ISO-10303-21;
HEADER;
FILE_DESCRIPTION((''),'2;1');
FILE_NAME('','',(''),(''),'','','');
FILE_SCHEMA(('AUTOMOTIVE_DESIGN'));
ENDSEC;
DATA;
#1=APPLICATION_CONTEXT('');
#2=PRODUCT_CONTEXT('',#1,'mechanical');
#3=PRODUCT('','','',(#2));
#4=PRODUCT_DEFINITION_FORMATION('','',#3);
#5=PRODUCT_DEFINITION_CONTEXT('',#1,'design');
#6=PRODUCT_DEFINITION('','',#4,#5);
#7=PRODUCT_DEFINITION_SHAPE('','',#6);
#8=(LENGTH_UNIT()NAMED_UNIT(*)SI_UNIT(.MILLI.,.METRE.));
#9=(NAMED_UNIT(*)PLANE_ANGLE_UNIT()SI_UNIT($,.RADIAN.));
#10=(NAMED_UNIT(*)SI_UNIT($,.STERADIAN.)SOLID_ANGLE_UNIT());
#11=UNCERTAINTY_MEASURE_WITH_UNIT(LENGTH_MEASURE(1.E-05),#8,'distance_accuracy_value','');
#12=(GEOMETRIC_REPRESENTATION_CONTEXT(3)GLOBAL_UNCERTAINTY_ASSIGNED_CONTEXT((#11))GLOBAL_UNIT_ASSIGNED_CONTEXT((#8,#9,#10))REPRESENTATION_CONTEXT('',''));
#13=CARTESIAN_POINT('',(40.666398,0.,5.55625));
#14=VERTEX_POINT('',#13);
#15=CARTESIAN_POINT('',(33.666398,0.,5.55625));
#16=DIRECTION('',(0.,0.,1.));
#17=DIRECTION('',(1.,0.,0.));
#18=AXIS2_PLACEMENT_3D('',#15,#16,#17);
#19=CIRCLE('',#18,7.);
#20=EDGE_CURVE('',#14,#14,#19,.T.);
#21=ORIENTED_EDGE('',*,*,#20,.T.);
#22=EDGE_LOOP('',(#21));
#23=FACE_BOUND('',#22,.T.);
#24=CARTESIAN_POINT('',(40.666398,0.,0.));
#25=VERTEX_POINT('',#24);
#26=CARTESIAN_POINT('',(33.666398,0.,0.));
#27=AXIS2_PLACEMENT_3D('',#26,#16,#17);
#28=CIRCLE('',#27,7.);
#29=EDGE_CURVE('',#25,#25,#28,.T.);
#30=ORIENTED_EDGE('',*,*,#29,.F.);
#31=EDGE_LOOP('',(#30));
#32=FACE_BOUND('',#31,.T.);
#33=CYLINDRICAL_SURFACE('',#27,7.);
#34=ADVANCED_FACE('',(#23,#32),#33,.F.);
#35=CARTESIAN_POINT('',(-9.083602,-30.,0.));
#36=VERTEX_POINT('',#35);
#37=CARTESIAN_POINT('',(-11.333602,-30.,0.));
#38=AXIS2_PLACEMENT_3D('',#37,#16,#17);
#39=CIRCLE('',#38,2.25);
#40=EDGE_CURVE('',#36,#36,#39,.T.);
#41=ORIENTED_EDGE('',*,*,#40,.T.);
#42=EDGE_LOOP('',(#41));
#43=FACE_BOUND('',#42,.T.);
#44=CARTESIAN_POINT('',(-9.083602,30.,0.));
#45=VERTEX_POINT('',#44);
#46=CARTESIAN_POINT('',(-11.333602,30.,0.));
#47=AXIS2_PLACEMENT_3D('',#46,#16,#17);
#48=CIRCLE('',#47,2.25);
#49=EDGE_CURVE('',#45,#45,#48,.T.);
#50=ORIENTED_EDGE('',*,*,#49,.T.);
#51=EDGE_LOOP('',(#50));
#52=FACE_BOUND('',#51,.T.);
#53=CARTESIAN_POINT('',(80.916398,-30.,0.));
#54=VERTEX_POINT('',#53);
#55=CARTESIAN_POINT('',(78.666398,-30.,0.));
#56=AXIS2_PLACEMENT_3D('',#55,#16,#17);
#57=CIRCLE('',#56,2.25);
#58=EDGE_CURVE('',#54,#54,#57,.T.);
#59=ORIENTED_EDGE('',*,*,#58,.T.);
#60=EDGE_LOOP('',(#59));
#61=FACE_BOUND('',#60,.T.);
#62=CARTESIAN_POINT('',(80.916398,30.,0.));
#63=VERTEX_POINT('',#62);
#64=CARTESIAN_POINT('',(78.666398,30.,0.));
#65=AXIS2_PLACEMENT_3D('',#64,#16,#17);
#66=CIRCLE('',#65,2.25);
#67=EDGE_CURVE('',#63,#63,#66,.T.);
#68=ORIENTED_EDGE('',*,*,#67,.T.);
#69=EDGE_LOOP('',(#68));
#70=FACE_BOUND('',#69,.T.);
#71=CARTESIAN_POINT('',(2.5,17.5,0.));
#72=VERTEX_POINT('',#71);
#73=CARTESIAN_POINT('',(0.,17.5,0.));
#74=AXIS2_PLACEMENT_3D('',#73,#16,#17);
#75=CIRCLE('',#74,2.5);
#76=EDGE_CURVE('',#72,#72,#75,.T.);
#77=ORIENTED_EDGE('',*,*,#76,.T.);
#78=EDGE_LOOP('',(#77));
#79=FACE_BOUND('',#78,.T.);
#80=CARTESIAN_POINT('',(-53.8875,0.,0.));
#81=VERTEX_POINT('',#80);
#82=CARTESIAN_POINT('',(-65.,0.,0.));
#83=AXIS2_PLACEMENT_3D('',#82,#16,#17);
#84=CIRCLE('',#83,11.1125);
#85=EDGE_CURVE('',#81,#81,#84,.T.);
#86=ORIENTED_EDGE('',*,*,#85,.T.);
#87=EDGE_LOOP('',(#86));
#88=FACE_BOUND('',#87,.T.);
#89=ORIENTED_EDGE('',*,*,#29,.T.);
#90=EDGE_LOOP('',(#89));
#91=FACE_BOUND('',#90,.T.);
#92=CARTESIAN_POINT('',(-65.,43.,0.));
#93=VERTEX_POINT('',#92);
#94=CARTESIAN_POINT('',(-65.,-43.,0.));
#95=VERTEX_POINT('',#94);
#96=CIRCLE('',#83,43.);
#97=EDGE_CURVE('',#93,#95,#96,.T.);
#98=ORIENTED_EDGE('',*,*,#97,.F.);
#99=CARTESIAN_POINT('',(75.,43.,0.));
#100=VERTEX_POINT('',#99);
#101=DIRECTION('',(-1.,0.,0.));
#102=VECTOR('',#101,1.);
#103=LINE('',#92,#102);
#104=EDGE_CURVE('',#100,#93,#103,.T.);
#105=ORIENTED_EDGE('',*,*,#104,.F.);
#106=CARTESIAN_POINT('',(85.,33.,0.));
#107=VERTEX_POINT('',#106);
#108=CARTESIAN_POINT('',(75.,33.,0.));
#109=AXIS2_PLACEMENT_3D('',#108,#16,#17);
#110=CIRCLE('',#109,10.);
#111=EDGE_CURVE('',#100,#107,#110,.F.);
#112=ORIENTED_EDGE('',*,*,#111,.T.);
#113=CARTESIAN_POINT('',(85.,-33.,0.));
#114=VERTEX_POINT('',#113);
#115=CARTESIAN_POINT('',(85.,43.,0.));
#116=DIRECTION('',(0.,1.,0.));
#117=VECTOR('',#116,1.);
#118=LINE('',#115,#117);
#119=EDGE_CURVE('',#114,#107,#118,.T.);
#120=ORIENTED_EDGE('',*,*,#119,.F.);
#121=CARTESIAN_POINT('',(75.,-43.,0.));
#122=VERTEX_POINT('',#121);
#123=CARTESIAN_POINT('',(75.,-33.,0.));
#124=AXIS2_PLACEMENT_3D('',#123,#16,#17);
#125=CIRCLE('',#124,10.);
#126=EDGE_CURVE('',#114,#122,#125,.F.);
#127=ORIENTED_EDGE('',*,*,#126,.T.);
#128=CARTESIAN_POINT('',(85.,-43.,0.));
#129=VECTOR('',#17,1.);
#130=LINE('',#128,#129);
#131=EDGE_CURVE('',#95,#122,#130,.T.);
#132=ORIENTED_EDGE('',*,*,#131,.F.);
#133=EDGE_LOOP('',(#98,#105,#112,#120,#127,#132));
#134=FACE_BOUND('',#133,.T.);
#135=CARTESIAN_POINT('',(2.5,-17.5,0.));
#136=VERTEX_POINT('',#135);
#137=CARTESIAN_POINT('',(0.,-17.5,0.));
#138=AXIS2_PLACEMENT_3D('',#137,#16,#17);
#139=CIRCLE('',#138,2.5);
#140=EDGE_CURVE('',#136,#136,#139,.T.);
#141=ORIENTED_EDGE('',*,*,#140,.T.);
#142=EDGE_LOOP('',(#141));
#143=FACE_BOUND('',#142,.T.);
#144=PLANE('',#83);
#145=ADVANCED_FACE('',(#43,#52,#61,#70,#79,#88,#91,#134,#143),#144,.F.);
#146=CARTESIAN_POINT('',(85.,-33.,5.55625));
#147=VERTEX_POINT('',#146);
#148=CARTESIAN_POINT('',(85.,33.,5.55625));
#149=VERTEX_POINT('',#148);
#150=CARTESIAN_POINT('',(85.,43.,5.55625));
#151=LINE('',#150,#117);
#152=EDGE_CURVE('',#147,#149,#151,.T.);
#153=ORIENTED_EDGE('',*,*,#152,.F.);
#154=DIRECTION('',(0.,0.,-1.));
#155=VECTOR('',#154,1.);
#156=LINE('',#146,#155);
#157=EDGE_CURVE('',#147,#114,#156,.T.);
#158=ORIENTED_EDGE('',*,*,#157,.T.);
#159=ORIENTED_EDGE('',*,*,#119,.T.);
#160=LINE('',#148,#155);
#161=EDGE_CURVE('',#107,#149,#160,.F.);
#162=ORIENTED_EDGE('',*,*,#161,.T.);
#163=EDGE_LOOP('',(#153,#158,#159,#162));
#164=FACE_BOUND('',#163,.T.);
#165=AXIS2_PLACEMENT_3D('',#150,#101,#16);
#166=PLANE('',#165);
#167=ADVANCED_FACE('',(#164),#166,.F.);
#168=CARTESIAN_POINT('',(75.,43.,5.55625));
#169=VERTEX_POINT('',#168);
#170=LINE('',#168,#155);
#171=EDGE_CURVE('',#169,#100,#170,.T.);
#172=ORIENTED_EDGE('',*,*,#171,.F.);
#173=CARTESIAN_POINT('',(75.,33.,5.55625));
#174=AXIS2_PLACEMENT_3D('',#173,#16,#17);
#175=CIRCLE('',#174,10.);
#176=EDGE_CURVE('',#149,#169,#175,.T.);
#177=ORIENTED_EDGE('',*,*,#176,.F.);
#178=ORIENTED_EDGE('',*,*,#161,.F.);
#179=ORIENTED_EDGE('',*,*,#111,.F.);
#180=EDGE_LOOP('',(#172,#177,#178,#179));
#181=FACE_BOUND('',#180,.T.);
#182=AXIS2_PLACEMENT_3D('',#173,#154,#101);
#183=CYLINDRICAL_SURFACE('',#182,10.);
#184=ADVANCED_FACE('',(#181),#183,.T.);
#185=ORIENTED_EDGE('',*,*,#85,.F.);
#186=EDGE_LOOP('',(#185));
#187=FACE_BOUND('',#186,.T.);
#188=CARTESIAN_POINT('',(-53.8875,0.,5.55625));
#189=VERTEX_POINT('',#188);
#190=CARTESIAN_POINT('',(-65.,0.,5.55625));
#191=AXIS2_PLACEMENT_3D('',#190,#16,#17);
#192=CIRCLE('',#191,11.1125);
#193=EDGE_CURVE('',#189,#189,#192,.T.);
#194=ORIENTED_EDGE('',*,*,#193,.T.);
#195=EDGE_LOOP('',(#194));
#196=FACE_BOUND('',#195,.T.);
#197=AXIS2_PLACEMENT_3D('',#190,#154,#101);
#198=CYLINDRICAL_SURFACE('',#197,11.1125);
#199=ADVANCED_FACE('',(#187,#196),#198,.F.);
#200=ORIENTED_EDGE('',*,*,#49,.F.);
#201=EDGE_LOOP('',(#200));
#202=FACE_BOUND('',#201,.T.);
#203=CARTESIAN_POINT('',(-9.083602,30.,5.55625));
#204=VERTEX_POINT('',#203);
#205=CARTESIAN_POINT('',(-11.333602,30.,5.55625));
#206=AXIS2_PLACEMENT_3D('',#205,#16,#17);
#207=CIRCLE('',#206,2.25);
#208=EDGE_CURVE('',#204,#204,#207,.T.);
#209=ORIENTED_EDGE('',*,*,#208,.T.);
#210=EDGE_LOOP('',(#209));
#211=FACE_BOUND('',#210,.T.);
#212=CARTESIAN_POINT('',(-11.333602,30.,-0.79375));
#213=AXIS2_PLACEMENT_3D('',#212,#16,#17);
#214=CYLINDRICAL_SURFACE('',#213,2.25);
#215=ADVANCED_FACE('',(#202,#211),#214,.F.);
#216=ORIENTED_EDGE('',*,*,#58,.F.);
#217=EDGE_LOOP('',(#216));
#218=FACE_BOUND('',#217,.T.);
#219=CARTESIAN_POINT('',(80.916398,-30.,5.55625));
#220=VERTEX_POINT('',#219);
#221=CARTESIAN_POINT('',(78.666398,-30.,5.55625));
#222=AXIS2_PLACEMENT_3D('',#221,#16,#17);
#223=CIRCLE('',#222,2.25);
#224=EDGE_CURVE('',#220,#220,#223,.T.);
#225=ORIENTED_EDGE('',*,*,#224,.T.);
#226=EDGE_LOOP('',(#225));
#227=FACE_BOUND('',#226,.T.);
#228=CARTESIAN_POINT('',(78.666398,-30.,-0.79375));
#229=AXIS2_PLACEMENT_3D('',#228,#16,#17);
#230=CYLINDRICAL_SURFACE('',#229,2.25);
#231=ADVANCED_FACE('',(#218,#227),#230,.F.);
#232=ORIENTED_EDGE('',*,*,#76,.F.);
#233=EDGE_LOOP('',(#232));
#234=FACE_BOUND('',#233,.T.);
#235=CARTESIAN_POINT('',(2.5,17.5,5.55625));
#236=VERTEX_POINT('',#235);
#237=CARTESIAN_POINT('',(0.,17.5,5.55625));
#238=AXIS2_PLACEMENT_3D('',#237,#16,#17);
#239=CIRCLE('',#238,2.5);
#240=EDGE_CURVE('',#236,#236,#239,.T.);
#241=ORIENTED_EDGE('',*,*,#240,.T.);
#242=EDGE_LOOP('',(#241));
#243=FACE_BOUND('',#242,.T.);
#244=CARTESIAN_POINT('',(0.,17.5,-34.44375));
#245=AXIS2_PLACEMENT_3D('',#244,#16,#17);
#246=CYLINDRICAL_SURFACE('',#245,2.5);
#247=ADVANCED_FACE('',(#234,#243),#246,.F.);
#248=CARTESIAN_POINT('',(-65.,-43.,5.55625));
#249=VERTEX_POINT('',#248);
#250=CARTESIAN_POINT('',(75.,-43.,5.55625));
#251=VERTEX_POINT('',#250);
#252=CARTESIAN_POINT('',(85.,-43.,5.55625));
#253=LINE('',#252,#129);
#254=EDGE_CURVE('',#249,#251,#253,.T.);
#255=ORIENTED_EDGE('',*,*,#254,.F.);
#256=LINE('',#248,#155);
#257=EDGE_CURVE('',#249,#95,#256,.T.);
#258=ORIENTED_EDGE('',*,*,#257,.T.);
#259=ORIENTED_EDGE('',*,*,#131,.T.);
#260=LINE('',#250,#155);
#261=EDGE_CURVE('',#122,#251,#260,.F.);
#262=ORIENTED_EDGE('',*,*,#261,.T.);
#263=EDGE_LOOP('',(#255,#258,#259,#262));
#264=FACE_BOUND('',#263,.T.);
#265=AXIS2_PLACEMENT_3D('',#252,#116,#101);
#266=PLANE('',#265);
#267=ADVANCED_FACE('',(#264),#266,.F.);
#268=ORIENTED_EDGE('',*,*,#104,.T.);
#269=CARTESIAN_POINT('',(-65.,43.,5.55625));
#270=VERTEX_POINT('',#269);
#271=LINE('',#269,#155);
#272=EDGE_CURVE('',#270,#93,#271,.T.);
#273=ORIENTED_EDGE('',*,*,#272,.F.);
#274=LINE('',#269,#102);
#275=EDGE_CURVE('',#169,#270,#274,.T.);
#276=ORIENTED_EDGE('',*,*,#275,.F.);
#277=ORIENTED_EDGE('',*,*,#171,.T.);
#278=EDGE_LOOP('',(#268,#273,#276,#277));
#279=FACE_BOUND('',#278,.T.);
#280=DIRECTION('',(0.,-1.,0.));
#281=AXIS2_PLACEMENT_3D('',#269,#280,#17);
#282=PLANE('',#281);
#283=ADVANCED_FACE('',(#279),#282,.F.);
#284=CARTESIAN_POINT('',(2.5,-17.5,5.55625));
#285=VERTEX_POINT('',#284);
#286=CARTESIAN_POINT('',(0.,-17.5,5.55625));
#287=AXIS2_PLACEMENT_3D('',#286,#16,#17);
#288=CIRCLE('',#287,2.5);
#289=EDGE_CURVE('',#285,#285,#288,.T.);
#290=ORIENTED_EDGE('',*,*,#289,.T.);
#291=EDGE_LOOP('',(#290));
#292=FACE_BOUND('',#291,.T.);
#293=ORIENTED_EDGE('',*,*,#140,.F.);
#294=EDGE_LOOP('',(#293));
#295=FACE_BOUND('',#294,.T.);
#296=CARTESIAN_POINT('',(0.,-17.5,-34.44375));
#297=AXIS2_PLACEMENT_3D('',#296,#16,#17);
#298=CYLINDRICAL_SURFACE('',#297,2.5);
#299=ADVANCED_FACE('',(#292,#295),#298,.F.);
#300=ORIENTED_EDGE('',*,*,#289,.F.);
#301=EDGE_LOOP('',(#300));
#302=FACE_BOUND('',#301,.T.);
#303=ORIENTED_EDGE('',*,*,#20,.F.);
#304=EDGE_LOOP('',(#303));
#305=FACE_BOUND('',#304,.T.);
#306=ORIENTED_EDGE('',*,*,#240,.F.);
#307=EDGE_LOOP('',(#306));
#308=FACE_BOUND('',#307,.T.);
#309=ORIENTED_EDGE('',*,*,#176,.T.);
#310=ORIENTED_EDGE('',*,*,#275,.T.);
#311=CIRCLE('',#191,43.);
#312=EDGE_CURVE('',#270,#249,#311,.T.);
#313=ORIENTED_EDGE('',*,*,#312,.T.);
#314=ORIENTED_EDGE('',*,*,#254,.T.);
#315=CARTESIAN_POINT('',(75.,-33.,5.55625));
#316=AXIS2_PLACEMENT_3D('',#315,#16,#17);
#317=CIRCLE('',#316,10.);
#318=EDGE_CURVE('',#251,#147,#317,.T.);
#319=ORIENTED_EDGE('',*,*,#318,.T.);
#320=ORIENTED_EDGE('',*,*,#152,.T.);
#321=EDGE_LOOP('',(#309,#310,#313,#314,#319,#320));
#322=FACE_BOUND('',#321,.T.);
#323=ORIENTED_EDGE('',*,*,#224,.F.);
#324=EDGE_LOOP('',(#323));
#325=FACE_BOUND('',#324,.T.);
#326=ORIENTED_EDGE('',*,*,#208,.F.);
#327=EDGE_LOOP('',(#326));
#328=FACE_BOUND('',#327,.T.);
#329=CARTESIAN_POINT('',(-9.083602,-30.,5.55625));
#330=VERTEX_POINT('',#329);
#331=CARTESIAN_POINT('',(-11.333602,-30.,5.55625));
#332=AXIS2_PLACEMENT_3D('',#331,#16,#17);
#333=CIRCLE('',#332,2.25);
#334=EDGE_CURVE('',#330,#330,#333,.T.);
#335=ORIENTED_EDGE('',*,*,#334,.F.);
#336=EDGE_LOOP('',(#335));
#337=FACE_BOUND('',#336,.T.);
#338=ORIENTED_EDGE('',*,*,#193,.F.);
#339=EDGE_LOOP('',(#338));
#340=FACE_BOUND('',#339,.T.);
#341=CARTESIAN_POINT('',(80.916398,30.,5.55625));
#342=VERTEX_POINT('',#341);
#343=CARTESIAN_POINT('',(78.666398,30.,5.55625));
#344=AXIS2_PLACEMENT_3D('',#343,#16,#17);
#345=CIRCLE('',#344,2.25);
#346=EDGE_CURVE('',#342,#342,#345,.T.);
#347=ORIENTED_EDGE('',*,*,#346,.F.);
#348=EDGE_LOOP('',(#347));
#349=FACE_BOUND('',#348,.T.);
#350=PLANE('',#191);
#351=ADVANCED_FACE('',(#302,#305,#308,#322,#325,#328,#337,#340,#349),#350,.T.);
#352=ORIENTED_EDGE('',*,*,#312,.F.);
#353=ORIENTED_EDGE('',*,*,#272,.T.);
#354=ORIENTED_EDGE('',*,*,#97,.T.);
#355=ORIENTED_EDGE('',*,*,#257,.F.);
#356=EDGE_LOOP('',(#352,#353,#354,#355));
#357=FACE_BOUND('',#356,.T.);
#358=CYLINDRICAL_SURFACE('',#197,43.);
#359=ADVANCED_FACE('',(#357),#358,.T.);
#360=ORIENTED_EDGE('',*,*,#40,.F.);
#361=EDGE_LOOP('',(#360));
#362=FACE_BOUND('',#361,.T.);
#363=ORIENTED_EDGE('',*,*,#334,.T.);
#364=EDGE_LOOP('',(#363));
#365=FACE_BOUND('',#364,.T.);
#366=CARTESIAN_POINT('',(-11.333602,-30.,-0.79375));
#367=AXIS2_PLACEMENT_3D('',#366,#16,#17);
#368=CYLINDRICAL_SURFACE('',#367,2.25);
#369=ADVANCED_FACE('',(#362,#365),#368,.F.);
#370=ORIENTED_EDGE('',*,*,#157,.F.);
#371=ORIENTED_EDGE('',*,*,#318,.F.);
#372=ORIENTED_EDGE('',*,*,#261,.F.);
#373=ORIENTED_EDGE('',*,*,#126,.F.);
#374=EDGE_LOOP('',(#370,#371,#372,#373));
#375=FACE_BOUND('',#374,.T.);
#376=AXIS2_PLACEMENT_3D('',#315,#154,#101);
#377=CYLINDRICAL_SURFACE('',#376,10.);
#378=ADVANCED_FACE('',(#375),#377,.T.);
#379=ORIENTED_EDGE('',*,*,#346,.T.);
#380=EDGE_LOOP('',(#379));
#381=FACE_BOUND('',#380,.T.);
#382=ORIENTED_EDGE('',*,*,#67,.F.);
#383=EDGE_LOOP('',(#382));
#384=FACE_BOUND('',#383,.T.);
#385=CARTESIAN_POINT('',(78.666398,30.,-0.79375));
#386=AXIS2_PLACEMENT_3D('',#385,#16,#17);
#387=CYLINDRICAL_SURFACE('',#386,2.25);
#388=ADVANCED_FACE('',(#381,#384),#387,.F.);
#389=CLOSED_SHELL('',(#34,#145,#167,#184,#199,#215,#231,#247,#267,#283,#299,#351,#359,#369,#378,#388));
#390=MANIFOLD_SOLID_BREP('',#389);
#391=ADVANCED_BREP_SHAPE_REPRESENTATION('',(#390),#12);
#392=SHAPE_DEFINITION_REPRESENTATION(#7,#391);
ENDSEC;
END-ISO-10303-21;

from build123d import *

# Parameters (mm, degrees)
SKETCH1_R           = 11.1125
BOSS_EXTRUDE1_DEPTH = 5.55625
SKETCH2_R           = 7.000000001
CUT_EXTRUDE1_DEPTH  = 5.55625
FILLET1_R           = 10
SKETCH3_R           = 2.250000001
CUT_EXTRUDE2_DEPTH  = 6.35
SKETCH4_R           = 2.5
CUT_EXTRUDE3_DEPTH  = 40


with BuildPart() as part:
    # Sketch1 → Boss-Extrude1 (new body)
    with BuildSketch(Plane.XY):
        with BuildLine():
            Line((-65, 43), (85, 43))
            Line((85, 43), (85, -43))
            Line((85, -43), (-65, -43))
            ThreePointArc((-65, -43), (-108, 0), (-65, 43))
        make_face()
        with Locations((-65, 0)):
            Circle(SKETCH1_R, mode=Mode.SUBTRACT)
    extrude(amount=BOSS_EXTRUDE1_DEPTH)

    # Sketch2 → Cut-Extrude1 (cut)
    with BuildSketch(Plane.XY.offset(5.55625)):
        with Locations((33.66639768, 0)):
            Circle(SKETCH2_R)
    extrude(amount=-CUT_EXTRUDE1_DEPTH, mode=Mode.SUBTRACT)

    # Fillet1
    fillet1_edges = [part.edges().sort_by_distance(p)[0] for p in [
        (85, 43, 2.778125),
        (85, -43, 2.778125),
    ]]
    fillet(fillet1_edges, radius=FILLET1_R)

    # Sketch3 → Cut-Extrude2 (cut)
    with BuildSketch(Plane.XY.offset(5.55625)):
        with Locations((78.66639768, 30)):
            Circle(SKETCH3_R)
        with Locations((78.66639768, -30)):
            Circle(SKETCH3_R)
        with Locations((-11.33360232, 30)):
            Circle(SKETCH3_R)
        with Locations((-11.33360232, -30)):
            Circle(SKETCH3_R)
    extrude(amount=-CUT_EXTRUDE2_DEPTH, mode=Mode.SUBTRACT)

    # Sketch4 → Cut-Extrude3 (cut)
    with BuildSketch(Plane.XY.offset(5.55625)):
        with Locations((0, 17.5)):
            Circle(SKETCH4_R)
        with Locations((0, -17.5)):
            Circle(SKETCH4_R)
    extrude(amount=-CUT_EXTRUDE3_DEPTH, mode=Mode.SUBTRACT)


solid = part.part
